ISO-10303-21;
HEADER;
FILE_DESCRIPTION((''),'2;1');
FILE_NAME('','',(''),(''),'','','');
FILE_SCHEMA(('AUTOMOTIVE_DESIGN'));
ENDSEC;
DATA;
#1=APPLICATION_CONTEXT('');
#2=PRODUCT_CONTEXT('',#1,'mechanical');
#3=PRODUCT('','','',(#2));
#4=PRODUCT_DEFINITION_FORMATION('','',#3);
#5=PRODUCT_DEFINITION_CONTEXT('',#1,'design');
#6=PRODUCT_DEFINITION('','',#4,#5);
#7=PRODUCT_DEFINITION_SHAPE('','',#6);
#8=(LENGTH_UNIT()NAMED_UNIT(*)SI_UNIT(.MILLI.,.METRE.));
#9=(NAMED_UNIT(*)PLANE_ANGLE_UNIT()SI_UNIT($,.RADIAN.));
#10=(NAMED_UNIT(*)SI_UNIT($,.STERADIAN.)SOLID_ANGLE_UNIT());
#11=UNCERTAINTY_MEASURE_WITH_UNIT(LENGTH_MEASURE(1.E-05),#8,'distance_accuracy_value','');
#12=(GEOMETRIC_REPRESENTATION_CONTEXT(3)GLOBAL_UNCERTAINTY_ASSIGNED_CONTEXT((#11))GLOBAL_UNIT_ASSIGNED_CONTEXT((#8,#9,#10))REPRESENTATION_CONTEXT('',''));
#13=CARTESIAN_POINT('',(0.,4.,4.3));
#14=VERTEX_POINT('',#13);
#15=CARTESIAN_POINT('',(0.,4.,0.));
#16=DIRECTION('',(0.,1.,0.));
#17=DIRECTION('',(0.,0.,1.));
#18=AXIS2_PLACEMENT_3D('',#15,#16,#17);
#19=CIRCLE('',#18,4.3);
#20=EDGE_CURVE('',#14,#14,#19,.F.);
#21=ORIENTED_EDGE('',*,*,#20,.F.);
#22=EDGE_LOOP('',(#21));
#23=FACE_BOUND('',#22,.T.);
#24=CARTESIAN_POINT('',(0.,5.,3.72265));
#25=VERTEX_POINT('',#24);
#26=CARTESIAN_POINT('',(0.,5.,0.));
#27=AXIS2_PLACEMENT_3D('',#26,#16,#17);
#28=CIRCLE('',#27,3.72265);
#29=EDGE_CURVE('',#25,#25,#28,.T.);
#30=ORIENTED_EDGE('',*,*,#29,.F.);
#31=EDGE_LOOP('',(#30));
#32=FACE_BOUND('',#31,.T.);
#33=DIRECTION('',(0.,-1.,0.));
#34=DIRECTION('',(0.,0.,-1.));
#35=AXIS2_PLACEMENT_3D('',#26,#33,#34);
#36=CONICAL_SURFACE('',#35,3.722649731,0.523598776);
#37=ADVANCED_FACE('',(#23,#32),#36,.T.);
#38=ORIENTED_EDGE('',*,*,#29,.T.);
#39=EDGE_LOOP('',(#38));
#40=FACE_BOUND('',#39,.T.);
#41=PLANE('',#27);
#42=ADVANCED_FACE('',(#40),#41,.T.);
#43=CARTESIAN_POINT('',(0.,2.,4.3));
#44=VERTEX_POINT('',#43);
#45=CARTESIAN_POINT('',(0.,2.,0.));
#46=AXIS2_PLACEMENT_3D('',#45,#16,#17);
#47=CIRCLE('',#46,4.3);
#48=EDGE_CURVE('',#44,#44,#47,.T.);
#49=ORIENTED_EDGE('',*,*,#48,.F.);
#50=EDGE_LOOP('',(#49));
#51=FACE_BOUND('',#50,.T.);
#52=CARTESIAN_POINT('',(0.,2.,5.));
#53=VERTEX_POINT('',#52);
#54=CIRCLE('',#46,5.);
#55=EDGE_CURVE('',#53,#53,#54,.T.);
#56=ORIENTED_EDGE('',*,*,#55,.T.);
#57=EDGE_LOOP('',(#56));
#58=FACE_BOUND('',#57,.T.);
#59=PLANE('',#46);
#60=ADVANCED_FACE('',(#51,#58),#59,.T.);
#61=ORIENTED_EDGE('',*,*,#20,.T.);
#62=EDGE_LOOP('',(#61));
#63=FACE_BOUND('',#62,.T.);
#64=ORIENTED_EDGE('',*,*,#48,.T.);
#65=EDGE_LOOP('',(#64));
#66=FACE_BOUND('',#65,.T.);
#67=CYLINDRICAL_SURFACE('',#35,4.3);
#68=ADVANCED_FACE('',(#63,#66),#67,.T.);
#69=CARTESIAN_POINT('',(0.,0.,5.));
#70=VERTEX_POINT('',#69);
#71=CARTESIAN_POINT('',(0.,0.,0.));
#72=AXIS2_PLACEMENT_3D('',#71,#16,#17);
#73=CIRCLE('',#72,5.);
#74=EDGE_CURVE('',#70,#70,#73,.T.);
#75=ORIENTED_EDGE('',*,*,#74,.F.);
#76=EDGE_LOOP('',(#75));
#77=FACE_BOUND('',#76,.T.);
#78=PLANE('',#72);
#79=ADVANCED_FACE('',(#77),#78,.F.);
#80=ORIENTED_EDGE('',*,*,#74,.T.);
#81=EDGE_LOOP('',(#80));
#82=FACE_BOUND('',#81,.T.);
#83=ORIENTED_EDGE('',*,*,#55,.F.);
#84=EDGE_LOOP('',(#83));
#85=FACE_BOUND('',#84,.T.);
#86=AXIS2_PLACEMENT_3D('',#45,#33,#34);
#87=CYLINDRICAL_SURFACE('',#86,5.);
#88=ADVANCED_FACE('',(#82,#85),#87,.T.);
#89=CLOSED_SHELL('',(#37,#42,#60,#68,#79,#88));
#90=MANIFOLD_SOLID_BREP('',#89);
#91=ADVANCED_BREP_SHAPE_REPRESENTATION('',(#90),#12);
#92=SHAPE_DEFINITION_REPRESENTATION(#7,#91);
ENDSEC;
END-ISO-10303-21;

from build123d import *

# Parameters (mm, degrees)
SKETCH1_R           = 5
BOSS_EXTRUDE1_DEPTH = 2
SKETCH2_R           = 4.3
BOSS_EXTRUDE2_DEPTH = 3
CHAMFER1_SIZE       = 1
CHAMFER1_SIZE2      = 0.577350269


with BuildPart() as part:
    # Sketch1 → Boss-Extrude1 (new body)
    with BuildSketch(Plane(origin=(0, 0, 0), x_dir=(1, 0, 0), z_dir=(0, 1, 0))):
        Circle(SKETCH1_R)
    extrude(amount=BOSS_EXTRUDE1_DEPTH)

    # Sketch2 → Boss-Extrude2 (add)
    with BuildSketch(Plane(origin=(0, 2, 0), x_dir=(1, 0, 0), z_dir=(0, 1, 0))):
        Circle(SKETCH2_R)
    extrude(amount=BOSS_EXTRUDE2_DEPTH)

    # Chamfer1
    chamfer1_edges = [part.edges().sort_by_distance(p)[0] for p in [
        (-4.3, 5, 0),
    ]]
    chamfer1_side = [part.faces().sort_by_distance(p)[0] for p in [
        (-4.3, 3.5, 0),
    ]]
    chamfer(chamfer1_edges, length=CHAMFER1_SIZE, length2=CHAMFER1_SIZE2, reference=chamfer1_side[0])


solid = part.part
